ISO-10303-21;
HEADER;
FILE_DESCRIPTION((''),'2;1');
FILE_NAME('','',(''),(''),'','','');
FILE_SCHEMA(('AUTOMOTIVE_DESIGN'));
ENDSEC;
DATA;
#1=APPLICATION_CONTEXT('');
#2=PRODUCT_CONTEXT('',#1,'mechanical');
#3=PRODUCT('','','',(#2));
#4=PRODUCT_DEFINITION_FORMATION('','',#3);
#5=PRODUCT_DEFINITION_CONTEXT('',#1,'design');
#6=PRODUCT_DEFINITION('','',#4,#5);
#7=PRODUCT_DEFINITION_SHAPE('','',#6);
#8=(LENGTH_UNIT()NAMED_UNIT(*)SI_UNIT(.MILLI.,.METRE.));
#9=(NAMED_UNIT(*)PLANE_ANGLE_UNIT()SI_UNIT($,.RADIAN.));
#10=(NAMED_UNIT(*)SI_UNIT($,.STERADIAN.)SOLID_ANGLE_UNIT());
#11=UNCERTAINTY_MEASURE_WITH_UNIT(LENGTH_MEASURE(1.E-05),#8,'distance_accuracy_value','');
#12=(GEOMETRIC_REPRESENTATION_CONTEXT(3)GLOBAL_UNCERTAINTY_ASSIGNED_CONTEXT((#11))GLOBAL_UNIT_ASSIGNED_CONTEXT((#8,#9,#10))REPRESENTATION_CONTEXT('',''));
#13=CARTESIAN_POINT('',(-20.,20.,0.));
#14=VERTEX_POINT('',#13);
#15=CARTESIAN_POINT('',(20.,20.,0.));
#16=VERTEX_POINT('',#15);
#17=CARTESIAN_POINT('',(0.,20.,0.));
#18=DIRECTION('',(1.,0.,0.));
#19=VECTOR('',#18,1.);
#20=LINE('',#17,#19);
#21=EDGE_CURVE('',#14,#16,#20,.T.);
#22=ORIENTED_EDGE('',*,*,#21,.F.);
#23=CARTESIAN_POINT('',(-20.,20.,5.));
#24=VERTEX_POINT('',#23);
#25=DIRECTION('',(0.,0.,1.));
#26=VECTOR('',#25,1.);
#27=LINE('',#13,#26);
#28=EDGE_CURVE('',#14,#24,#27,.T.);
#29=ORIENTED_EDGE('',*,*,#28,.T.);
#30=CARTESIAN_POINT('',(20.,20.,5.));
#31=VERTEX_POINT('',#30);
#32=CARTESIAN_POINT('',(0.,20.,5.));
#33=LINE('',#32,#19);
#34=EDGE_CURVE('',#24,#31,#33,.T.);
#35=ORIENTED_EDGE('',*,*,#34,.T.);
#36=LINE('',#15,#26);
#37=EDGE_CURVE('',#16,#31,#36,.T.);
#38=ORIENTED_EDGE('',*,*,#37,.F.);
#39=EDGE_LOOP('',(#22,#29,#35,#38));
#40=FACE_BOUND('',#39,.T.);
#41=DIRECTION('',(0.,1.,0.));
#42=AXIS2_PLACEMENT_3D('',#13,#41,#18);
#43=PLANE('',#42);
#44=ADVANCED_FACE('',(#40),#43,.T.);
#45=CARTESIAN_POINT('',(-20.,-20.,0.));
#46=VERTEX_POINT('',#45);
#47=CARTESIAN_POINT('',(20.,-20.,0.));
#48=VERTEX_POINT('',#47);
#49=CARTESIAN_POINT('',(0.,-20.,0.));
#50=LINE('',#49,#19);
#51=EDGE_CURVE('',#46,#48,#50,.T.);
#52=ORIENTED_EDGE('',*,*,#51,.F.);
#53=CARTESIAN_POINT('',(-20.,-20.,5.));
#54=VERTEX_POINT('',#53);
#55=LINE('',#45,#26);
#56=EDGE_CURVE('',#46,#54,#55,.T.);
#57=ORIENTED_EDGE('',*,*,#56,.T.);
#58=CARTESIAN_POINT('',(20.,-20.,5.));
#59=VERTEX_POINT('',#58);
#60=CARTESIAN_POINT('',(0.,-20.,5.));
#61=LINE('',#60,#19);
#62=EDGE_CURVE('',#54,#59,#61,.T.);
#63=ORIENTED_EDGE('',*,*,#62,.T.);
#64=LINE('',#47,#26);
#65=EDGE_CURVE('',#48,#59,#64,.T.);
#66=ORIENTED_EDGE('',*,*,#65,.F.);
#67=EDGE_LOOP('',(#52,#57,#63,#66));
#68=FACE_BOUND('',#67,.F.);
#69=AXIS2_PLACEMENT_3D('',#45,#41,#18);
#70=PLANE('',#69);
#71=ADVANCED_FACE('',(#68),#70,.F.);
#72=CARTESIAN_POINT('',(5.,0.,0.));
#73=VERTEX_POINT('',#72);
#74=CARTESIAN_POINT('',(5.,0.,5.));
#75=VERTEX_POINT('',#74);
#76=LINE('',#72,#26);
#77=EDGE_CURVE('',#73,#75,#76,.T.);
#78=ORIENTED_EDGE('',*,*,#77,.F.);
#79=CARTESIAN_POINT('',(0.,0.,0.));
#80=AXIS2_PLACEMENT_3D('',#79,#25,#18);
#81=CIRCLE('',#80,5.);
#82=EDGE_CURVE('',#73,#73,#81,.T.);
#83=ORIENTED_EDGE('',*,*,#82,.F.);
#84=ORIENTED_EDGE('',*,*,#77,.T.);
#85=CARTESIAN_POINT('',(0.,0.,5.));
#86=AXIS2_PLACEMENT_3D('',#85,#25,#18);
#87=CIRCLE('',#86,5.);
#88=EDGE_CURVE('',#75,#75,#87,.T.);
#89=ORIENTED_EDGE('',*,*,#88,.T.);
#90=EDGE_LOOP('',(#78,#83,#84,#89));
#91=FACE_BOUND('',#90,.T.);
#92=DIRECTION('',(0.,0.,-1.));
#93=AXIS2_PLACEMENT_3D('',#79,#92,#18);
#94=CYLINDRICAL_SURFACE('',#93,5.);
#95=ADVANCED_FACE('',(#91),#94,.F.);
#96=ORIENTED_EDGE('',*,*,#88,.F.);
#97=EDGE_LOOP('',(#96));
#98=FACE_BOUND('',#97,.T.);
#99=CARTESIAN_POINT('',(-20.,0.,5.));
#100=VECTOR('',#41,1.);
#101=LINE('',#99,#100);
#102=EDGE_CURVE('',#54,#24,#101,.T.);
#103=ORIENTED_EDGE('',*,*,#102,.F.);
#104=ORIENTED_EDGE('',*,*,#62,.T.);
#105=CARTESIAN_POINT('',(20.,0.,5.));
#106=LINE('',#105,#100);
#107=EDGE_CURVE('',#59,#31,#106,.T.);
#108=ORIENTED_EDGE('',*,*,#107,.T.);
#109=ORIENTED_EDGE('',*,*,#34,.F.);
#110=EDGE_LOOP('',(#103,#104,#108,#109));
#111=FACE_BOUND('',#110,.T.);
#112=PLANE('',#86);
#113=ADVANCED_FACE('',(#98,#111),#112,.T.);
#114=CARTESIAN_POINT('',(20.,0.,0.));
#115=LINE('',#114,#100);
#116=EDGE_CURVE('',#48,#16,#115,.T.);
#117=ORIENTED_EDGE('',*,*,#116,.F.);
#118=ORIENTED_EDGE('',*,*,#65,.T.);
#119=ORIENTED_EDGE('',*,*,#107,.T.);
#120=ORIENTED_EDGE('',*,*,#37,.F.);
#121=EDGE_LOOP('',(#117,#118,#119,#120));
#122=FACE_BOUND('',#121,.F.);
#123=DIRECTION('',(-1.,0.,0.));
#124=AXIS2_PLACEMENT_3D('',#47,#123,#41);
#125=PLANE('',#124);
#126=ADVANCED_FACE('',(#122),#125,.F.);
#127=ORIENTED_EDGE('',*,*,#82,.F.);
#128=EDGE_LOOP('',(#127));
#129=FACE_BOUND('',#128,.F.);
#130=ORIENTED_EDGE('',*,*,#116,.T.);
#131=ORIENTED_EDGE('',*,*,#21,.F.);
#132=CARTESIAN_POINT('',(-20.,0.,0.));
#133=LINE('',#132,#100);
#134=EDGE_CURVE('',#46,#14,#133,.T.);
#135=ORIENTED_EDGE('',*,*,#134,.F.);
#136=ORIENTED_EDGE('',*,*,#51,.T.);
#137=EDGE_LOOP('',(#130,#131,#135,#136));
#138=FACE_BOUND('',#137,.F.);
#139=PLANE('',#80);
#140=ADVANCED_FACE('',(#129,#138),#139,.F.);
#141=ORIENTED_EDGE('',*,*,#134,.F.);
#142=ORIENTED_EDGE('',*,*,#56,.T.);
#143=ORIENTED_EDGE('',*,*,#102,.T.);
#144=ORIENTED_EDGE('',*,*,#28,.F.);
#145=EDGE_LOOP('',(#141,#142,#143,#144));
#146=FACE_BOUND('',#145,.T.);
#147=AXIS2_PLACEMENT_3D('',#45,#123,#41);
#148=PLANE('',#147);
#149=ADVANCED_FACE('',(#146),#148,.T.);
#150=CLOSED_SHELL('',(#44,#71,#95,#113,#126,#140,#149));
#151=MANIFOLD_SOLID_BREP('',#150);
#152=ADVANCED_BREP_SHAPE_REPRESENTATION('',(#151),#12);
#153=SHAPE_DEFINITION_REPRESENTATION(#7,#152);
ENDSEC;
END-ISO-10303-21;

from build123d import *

# Parameters (mm, degrees)
SKETCH_W      = 40
SKETCH_H      = 40
SKETCH_R      = 5
EXTRUDE_DEPTH = 5


with BuildPart() as part:
    # Sketch → Extrude (new body)
    with BuildSketch(Plane.XY):
        Rectangle(SKETCH_W, SKETCH_H)
        Circle(SKETCH_R, mode=Mode.SUBTRACT)
    extrude(amount=EXTRUDE_DEPTH)


solid = part.part
